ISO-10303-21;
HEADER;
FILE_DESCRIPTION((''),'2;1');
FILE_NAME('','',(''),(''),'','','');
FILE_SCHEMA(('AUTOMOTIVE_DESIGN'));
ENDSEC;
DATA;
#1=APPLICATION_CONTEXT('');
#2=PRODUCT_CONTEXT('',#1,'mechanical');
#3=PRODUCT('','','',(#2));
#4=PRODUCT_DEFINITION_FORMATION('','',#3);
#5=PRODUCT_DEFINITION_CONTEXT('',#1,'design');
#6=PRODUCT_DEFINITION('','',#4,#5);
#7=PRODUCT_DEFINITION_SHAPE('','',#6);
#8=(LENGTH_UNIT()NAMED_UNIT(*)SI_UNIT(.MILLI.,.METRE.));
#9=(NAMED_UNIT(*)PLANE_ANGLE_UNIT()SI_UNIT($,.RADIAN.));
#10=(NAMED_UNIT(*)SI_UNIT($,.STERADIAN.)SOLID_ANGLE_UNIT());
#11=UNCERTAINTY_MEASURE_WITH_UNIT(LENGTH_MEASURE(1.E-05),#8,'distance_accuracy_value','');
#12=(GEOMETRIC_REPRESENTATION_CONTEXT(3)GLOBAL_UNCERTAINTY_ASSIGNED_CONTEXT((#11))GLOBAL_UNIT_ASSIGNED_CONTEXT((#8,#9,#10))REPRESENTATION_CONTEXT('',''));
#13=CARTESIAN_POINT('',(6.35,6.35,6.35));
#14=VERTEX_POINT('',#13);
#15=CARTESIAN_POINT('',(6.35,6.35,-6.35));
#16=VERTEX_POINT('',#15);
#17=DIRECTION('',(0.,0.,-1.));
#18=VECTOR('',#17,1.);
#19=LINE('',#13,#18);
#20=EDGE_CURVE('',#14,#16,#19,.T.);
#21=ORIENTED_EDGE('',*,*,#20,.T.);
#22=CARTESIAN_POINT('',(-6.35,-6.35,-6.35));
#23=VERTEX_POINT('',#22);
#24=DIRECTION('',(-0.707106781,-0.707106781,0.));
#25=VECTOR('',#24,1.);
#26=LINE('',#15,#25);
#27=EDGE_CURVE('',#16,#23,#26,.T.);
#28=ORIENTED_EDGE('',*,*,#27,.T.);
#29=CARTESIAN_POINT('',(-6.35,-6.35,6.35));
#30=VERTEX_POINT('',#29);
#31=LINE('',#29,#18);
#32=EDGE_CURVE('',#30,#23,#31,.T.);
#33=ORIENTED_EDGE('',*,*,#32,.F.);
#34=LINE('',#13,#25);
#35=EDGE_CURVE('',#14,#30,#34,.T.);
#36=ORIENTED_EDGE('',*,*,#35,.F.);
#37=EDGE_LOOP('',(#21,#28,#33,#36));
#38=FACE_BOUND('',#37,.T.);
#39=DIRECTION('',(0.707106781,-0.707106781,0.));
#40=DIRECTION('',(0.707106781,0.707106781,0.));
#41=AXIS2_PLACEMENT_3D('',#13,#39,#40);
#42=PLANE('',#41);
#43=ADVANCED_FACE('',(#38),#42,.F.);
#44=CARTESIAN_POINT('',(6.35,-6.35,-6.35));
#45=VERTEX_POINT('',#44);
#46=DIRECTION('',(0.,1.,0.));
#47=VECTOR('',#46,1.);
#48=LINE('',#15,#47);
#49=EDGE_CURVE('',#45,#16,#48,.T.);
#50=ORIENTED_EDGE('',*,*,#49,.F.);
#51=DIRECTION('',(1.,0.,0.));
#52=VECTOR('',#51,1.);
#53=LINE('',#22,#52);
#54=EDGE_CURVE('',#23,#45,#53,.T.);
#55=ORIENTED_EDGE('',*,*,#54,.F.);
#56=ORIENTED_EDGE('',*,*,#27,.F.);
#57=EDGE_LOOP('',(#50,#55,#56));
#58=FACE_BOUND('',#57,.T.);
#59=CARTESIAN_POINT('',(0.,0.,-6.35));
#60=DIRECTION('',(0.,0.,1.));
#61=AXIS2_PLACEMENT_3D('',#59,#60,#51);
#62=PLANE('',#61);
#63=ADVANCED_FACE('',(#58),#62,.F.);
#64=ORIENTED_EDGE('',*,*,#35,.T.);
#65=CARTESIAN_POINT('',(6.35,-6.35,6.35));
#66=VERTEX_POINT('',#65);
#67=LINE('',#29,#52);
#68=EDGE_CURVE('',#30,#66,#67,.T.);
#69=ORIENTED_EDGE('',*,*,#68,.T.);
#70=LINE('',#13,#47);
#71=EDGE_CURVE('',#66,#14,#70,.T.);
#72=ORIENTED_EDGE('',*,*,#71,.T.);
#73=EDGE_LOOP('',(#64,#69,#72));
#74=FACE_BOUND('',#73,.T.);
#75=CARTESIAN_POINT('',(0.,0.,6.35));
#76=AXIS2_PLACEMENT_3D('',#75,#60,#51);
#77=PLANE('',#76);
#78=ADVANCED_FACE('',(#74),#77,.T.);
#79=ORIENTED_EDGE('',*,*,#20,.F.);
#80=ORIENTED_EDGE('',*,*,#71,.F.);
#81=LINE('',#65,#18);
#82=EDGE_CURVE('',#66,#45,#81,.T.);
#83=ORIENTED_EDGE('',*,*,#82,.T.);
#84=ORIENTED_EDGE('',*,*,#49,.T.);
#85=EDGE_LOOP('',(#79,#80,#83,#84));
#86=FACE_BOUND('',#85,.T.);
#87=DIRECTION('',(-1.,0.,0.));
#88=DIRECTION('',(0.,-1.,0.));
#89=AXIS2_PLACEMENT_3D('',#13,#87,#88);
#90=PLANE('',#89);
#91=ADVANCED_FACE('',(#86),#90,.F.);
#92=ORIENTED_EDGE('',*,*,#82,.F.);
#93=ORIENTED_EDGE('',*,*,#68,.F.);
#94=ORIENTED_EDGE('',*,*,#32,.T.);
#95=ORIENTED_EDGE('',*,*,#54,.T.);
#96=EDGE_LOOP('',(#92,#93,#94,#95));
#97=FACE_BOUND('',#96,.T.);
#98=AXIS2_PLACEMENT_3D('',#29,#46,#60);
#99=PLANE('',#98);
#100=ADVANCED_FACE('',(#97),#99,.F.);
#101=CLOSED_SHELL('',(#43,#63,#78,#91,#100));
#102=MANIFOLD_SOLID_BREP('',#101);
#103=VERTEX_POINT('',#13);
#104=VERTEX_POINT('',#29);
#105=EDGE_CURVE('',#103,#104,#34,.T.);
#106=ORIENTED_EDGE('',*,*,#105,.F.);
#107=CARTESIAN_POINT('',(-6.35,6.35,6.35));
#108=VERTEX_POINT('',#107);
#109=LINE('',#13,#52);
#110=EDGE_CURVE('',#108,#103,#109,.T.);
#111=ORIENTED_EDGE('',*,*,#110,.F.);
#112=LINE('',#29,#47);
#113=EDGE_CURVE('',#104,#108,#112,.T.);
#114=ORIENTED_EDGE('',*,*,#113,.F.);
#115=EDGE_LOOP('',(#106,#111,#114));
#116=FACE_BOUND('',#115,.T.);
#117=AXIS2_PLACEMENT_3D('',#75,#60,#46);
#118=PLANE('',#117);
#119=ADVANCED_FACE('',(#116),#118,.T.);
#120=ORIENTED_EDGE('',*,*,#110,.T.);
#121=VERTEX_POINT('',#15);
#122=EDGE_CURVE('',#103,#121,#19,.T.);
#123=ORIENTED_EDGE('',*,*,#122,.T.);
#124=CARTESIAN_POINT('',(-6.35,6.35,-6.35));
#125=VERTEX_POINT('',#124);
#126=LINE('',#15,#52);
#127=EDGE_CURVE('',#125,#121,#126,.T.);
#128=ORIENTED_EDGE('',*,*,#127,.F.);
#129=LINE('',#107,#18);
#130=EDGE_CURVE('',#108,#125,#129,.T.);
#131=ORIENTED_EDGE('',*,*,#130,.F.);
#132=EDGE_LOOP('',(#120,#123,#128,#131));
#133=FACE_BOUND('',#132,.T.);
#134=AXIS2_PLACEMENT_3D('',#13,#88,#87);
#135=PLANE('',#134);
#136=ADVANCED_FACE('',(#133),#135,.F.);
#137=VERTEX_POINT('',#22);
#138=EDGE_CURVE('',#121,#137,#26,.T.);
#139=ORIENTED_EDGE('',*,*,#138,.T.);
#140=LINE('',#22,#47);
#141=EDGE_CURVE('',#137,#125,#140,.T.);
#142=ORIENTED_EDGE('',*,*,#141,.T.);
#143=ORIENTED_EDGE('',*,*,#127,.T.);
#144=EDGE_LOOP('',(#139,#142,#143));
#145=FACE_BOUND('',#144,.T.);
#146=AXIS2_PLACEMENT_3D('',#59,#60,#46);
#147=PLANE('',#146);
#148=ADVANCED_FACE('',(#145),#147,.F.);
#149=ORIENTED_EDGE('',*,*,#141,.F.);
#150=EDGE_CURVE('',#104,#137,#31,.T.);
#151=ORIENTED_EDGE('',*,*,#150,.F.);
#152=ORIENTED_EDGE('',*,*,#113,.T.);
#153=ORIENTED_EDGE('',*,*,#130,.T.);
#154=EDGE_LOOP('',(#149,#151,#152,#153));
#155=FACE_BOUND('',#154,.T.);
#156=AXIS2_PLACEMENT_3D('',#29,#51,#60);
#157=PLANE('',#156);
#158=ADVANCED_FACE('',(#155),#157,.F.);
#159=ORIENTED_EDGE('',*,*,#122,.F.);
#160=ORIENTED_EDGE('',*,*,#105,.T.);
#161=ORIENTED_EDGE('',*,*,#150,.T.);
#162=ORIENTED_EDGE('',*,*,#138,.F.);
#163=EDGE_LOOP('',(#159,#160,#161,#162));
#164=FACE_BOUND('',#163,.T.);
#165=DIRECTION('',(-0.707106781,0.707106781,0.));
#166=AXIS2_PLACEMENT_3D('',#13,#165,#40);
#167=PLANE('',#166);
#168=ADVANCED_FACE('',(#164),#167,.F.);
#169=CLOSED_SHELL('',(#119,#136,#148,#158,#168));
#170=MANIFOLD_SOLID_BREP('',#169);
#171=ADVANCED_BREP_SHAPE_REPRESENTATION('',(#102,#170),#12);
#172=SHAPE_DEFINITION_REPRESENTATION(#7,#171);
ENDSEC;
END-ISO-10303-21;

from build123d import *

# Parameters (mm, degrees)
EXTRUDE_1_DEPTH = 6.35


with BuildPart() as part:
    # 草图1 → 凸台-拉伸1 (new body, symmetric)
    with BuildSketch(Plane.XY):
        Polygon((-6.35, -6.35), (6.35, -6.35), (6.35, 6.35), align=None)
    extrude(amount=EXTRUDE_1_DEPTH, both=True)


with BuildPart() as body_2:
    # 镜向2: mirrored copy
    add(part.part.mirror(Plane(origin=(6.35, 6.35, 6.35), x_dir=(0, 0, 1), z_dir=(0.707106781, -0.707106781, 0))))


solid = Compound([part.part, body_2.part])
